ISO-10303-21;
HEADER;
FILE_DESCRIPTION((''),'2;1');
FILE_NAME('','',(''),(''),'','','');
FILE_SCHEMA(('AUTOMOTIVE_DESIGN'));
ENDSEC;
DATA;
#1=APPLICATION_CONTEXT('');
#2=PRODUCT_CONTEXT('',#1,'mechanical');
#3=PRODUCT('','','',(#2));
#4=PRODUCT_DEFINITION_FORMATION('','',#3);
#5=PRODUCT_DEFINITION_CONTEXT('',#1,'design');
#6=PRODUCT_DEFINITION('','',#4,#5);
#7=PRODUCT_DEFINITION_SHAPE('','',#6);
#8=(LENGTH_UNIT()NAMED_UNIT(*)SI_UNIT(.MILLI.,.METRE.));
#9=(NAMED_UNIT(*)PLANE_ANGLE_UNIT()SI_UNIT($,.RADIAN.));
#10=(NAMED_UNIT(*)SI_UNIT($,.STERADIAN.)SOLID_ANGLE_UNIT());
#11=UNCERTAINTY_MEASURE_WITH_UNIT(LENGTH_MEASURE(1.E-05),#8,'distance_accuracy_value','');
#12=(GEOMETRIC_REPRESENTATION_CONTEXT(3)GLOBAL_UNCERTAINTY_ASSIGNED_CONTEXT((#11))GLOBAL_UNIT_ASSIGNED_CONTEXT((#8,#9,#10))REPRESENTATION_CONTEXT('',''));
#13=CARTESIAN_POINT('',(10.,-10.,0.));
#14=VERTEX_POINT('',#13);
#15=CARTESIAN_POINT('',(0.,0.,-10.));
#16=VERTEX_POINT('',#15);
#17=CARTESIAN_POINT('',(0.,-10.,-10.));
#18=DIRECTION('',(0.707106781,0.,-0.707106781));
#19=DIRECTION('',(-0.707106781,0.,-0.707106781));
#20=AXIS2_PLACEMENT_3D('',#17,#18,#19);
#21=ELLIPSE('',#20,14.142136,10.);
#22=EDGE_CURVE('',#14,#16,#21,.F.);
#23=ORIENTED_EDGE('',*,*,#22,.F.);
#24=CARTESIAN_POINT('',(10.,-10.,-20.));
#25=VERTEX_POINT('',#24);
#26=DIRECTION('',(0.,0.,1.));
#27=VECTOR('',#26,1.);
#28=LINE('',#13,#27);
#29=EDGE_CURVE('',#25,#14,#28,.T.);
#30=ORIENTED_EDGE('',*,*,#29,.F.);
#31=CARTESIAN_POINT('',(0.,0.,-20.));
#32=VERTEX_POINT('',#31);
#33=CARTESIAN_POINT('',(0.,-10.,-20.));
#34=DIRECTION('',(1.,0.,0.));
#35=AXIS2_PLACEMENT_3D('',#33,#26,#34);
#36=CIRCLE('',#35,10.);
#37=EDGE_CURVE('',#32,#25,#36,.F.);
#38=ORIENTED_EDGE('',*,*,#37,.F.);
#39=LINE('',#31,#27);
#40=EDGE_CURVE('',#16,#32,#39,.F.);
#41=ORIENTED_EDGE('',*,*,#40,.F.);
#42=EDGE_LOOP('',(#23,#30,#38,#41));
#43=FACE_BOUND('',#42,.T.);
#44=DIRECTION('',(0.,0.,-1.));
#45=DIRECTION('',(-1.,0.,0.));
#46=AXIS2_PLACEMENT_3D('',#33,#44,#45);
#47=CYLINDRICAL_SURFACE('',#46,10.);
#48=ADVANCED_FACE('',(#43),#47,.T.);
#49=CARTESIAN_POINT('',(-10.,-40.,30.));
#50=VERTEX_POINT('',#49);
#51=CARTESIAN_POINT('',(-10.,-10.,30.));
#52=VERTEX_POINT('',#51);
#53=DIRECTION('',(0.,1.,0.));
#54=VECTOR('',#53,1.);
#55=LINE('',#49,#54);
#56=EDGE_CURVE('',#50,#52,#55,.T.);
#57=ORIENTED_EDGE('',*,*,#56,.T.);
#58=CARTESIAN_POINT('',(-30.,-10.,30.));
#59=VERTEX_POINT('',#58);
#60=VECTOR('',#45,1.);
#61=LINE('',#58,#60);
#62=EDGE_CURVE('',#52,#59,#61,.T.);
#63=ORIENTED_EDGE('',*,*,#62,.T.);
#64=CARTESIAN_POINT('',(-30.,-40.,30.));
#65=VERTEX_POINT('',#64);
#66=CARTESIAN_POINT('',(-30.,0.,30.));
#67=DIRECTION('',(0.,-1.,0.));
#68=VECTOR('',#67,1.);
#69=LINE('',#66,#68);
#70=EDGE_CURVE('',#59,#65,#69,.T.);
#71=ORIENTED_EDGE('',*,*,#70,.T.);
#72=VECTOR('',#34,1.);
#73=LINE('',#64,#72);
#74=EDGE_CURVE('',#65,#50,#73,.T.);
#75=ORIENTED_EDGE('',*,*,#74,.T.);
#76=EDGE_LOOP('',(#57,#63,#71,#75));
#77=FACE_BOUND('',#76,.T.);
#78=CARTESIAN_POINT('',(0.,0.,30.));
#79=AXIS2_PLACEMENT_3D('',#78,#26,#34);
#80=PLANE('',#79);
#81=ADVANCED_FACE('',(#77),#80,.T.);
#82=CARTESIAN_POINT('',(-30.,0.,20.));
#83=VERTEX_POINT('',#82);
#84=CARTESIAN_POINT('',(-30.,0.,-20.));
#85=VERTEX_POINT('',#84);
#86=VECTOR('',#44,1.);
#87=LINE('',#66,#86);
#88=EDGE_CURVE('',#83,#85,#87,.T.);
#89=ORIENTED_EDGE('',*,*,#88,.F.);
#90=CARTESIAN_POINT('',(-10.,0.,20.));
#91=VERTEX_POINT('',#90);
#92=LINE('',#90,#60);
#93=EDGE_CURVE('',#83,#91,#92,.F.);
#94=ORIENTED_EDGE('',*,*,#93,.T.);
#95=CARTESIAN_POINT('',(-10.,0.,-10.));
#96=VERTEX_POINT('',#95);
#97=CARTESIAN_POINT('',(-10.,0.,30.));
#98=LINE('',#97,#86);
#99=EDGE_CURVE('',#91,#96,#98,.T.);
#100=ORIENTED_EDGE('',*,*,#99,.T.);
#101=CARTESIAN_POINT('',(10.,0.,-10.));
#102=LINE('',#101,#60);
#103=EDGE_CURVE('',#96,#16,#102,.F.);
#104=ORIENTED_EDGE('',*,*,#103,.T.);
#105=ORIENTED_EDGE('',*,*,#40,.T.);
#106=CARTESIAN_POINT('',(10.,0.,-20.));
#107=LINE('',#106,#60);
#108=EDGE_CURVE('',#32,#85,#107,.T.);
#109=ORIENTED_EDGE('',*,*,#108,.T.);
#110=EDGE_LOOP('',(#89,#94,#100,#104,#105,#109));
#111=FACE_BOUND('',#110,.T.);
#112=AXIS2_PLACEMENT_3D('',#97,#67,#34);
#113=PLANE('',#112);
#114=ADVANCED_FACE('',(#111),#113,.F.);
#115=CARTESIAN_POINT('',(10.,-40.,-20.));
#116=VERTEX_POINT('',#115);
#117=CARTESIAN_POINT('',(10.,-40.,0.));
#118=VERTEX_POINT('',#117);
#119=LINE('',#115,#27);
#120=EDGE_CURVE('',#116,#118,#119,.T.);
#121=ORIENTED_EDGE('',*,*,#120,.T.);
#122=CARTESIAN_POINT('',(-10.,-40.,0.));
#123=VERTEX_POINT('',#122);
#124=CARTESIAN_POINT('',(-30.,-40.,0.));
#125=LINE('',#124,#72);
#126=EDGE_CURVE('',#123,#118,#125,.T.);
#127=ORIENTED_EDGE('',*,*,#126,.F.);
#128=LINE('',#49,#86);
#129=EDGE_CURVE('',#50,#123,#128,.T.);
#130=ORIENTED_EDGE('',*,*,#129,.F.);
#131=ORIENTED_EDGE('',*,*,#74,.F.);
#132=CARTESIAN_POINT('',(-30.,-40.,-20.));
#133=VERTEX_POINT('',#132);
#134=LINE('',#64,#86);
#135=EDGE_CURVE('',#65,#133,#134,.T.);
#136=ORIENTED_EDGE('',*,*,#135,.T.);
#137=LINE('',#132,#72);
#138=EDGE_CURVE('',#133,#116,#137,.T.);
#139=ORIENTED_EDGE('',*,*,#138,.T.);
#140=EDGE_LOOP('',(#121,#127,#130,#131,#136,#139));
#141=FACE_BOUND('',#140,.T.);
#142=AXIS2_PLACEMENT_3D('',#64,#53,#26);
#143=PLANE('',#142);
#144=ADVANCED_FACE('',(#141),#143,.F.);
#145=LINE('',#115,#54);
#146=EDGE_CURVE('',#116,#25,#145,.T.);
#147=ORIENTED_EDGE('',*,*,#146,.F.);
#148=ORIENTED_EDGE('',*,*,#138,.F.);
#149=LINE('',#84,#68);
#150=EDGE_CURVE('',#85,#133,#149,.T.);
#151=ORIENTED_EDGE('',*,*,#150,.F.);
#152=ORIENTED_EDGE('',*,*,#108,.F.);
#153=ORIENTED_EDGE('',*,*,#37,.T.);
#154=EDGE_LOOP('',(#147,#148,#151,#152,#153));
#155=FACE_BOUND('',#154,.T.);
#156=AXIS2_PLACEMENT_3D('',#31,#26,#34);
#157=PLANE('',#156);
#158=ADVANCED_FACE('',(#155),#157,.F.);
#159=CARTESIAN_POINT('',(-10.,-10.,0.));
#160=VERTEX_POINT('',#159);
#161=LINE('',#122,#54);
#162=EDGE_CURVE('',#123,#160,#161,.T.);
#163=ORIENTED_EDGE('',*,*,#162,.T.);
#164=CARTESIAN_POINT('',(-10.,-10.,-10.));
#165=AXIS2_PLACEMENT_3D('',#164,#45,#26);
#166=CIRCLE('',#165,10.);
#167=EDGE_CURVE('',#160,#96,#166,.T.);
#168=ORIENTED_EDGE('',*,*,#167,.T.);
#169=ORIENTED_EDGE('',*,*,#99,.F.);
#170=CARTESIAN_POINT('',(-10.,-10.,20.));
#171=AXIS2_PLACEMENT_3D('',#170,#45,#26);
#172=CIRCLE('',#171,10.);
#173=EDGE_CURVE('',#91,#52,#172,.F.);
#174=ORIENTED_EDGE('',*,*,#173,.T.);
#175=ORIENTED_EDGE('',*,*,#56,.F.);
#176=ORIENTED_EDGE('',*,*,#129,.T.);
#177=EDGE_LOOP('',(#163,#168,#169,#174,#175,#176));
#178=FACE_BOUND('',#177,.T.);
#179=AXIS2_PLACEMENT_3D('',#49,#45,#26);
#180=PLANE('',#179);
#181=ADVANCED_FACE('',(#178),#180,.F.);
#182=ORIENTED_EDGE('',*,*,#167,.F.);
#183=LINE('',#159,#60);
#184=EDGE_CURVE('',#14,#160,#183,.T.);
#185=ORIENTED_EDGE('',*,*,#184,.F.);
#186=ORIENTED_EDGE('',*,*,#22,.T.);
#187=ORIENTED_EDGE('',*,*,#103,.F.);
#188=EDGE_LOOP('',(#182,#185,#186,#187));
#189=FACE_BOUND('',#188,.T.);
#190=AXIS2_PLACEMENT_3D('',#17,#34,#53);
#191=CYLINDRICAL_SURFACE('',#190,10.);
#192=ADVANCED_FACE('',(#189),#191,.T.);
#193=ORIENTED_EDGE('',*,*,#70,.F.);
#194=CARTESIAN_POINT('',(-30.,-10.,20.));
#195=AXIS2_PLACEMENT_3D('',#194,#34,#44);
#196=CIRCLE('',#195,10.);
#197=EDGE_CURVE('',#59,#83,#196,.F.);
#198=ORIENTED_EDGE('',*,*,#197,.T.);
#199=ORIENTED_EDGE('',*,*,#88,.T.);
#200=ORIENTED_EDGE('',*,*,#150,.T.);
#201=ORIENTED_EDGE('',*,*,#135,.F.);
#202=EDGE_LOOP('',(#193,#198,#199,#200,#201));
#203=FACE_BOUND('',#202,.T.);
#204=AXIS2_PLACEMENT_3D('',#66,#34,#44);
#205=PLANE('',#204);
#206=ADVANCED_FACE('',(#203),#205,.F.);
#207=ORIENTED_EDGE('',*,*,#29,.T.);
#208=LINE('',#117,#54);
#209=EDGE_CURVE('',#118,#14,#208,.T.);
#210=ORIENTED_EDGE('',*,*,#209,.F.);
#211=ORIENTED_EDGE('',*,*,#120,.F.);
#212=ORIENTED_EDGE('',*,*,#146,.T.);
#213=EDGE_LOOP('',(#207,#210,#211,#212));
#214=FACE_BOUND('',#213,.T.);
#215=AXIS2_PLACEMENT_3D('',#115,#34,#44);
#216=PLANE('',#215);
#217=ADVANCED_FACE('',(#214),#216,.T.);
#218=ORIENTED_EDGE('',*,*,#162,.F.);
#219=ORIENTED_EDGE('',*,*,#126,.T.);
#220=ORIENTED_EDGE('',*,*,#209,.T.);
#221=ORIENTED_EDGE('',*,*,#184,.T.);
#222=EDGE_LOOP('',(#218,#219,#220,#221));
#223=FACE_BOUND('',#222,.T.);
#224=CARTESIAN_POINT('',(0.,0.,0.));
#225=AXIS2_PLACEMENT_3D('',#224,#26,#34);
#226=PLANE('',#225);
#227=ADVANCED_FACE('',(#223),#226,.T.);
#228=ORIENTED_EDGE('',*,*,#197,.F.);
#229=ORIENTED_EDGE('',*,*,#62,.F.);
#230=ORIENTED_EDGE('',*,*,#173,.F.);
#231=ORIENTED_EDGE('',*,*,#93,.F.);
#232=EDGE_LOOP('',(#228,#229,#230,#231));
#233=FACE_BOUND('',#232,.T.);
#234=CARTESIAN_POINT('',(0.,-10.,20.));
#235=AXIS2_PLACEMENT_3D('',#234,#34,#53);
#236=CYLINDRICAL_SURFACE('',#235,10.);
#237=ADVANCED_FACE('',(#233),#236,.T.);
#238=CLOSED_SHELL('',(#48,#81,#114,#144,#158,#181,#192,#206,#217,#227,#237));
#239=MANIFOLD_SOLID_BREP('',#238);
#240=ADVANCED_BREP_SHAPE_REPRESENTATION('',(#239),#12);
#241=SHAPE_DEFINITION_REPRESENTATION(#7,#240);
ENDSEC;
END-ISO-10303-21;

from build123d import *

# Parameters (mm, degrees)
SKETCH1_W           = 20
SKETCH1_H           = 40
BOSS_EXTRUDE1_DEPTH = 30
SKETCH2_W           = 40
SKETCH2_H           = 40
BOSS_EXTRUDE2_DEPTH = 20
FILLET1_R           = 10


with BuildPart() as part:
    # Sketch1 → Boss-Extrude1 (new body)
    with BuildSketch(Plane.XY):
        with Locations((-20, -20)):
            Rectangle(SKETCH1_W, SKETCH1_H)
    extrude(amount=BOSS_EXTRUDE1_DEPTH)

    # Sketch2 → Boss-Extrude2 (add)
    with BuildSketch(Plane.XY):
        with Locations((-10, -20)):
            Rectangle(SKETCH2_W, SKETCH2_H)
    extrude(amount=-BOSS_EXTRUDE2_DEPTH)

    # Fillet1
    fillet1_edges = [part.edges().sort_by_distance(p)[0] for p in [
        (0, 0, 0),
        (10, 0, -10),
        (-20, 0, 30),
    ]]
    fillet(fillet1_edges, radius=FILLET1_R)


solid = part.part
